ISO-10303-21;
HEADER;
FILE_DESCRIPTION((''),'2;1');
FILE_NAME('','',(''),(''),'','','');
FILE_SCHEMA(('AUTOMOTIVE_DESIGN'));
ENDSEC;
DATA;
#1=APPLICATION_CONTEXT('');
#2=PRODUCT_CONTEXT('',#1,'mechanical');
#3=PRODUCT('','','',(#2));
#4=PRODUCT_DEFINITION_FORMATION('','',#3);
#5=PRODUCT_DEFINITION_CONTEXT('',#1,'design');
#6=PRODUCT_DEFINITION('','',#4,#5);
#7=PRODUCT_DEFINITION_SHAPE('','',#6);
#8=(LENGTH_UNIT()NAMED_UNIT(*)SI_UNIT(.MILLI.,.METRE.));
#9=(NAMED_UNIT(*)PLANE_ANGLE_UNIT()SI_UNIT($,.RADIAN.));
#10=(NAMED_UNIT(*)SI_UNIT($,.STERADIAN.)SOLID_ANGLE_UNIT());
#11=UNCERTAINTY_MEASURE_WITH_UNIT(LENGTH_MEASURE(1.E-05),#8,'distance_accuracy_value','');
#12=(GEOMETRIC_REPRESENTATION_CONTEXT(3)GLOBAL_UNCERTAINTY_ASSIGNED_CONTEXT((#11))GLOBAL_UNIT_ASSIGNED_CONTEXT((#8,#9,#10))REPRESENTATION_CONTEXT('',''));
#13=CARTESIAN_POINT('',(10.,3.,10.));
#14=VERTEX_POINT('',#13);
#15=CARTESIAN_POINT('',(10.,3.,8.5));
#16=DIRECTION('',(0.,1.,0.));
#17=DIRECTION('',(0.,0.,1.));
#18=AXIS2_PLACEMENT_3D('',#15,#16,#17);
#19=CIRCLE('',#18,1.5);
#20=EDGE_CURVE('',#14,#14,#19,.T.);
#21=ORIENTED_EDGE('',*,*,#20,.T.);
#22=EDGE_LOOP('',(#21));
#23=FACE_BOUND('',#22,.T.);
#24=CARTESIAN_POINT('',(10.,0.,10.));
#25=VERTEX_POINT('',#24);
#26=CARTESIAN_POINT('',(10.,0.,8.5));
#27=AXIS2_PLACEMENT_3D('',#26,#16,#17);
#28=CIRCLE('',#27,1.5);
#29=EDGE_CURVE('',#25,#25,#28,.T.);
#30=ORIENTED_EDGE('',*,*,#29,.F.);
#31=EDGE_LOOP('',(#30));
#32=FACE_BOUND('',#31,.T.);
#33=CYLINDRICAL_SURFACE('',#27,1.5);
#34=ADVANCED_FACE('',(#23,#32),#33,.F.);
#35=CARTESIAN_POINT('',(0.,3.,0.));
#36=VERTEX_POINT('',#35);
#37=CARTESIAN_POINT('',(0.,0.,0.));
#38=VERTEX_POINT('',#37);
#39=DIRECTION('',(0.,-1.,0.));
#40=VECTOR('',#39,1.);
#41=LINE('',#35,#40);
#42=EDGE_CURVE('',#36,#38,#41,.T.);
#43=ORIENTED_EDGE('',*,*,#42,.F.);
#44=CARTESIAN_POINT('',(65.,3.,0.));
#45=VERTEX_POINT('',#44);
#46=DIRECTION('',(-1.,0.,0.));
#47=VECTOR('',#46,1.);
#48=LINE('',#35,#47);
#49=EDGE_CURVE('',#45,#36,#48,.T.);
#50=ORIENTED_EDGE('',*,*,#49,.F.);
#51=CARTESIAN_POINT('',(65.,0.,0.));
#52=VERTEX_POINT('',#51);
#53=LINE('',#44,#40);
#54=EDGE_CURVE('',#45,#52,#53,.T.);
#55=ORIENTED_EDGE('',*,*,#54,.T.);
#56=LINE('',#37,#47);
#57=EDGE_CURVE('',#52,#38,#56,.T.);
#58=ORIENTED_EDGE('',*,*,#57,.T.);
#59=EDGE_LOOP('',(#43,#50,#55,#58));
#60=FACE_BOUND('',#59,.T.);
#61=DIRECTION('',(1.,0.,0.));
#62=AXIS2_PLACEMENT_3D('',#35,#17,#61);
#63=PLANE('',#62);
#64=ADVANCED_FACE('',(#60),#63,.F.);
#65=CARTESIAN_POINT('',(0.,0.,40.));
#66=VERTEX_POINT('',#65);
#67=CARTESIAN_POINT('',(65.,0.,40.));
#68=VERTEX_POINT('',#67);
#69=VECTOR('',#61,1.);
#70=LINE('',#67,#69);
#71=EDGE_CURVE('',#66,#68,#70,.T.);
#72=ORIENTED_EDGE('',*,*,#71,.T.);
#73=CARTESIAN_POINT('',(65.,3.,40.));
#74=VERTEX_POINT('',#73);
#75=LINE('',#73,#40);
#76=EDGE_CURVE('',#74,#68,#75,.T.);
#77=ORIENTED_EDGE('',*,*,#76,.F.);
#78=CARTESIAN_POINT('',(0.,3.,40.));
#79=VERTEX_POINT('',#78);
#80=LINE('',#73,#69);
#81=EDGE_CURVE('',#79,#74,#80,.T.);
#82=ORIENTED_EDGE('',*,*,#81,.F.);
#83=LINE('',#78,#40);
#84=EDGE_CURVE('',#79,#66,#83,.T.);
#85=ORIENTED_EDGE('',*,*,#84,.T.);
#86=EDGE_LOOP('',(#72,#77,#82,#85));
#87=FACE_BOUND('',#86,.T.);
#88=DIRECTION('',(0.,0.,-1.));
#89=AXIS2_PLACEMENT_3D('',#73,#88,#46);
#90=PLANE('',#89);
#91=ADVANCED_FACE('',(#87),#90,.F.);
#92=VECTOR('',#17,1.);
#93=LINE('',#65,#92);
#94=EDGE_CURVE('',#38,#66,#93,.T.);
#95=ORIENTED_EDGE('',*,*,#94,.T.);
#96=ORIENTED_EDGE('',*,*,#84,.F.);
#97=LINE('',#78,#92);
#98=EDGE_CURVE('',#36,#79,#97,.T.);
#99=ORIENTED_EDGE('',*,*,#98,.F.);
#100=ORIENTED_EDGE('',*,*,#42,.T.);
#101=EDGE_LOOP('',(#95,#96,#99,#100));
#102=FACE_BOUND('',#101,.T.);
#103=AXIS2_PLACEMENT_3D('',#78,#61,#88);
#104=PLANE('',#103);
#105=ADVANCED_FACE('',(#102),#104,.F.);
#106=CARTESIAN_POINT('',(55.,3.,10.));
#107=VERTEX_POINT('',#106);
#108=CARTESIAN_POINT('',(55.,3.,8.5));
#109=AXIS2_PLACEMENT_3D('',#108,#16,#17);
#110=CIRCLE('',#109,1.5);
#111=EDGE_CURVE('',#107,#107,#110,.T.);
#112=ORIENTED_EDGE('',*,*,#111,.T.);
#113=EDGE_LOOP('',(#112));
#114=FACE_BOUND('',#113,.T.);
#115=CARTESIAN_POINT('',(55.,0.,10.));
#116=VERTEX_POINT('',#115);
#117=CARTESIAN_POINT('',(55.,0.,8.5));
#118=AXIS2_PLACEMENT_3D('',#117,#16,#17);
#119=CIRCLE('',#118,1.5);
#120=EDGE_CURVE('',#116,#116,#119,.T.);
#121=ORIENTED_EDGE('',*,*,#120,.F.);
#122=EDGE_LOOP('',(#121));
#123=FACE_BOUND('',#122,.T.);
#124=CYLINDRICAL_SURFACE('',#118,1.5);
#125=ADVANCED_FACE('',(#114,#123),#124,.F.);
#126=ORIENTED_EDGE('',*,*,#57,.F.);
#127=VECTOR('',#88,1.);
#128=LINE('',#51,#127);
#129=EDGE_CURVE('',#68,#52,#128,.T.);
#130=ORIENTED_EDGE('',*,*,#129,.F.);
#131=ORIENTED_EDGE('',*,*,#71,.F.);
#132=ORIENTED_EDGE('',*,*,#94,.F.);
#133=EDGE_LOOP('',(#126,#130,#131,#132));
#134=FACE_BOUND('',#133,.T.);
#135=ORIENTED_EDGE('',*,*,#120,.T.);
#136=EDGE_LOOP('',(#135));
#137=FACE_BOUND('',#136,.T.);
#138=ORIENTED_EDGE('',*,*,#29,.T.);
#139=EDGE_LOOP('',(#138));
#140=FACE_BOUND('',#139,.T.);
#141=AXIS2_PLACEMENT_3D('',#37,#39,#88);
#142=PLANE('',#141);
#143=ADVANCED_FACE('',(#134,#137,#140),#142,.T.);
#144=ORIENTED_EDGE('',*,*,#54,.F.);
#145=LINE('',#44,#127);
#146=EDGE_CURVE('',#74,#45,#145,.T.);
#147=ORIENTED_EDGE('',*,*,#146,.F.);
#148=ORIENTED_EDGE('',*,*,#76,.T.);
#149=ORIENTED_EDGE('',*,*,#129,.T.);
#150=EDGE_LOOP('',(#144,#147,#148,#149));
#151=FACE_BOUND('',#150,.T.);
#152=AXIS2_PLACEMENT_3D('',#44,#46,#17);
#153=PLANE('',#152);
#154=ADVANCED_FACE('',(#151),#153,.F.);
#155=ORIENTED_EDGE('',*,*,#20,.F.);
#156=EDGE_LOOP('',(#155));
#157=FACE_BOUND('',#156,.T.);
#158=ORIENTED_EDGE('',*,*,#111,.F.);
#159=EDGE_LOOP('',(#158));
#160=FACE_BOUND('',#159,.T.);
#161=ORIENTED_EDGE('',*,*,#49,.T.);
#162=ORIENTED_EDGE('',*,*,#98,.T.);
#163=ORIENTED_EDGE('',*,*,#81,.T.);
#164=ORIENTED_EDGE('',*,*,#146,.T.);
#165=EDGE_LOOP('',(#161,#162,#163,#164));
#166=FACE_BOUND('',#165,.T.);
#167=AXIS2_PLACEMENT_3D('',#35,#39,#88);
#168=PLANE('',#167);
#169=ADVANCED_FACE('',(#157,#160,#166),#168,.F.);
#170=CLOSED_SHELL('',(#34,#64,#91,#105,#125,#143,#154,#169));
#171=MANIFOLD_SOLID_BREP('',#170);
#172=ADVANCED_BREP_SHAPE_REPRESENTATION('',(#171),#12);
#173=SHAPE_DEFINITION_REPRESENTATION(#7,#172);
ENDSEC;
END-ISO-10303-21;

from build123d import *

# Parameters (mm, degrees)
SKETCH_1_W          = 65
SKETCH_1_H          = 40
EXTRUDE_1_DEPTH     = 3
SKETCH_2_R          = 1.5
CUT_EXTRUDE_1_DEPTH = 3


with BuildPart() as part:
    # 草图1 → 凸台-拉伸1 (new body)
    with BuildSketch(Plane(origin=(0, 0, 0), x_dir=(1, 0, 0), z_dir=(0, 1, 0))):
        with Locations((32.5, -20)):
            Rectangle(SKETCH_1_W, SKETCH_1_H)
    extrude(amount=EXTRUDE_1_DEPTH)

    # 草图2 → 切除-拉伸1 (cut)
    with BuildSketch(Plane(origin=(0, 3, 0), x_dir=(1, 0, 0), z_dir=(0, 1, 0))):
        with Locations((10, -8.5)):
            Circle(SKETCH_2_R)
        with Locations((55, -8.5)):
            Circle(SKETCH_2_R)
    extrude(amount=-CUT_EXTRUDE_1_DEPTH, mode=Mode.SUBTRACT)


solid = part.part
